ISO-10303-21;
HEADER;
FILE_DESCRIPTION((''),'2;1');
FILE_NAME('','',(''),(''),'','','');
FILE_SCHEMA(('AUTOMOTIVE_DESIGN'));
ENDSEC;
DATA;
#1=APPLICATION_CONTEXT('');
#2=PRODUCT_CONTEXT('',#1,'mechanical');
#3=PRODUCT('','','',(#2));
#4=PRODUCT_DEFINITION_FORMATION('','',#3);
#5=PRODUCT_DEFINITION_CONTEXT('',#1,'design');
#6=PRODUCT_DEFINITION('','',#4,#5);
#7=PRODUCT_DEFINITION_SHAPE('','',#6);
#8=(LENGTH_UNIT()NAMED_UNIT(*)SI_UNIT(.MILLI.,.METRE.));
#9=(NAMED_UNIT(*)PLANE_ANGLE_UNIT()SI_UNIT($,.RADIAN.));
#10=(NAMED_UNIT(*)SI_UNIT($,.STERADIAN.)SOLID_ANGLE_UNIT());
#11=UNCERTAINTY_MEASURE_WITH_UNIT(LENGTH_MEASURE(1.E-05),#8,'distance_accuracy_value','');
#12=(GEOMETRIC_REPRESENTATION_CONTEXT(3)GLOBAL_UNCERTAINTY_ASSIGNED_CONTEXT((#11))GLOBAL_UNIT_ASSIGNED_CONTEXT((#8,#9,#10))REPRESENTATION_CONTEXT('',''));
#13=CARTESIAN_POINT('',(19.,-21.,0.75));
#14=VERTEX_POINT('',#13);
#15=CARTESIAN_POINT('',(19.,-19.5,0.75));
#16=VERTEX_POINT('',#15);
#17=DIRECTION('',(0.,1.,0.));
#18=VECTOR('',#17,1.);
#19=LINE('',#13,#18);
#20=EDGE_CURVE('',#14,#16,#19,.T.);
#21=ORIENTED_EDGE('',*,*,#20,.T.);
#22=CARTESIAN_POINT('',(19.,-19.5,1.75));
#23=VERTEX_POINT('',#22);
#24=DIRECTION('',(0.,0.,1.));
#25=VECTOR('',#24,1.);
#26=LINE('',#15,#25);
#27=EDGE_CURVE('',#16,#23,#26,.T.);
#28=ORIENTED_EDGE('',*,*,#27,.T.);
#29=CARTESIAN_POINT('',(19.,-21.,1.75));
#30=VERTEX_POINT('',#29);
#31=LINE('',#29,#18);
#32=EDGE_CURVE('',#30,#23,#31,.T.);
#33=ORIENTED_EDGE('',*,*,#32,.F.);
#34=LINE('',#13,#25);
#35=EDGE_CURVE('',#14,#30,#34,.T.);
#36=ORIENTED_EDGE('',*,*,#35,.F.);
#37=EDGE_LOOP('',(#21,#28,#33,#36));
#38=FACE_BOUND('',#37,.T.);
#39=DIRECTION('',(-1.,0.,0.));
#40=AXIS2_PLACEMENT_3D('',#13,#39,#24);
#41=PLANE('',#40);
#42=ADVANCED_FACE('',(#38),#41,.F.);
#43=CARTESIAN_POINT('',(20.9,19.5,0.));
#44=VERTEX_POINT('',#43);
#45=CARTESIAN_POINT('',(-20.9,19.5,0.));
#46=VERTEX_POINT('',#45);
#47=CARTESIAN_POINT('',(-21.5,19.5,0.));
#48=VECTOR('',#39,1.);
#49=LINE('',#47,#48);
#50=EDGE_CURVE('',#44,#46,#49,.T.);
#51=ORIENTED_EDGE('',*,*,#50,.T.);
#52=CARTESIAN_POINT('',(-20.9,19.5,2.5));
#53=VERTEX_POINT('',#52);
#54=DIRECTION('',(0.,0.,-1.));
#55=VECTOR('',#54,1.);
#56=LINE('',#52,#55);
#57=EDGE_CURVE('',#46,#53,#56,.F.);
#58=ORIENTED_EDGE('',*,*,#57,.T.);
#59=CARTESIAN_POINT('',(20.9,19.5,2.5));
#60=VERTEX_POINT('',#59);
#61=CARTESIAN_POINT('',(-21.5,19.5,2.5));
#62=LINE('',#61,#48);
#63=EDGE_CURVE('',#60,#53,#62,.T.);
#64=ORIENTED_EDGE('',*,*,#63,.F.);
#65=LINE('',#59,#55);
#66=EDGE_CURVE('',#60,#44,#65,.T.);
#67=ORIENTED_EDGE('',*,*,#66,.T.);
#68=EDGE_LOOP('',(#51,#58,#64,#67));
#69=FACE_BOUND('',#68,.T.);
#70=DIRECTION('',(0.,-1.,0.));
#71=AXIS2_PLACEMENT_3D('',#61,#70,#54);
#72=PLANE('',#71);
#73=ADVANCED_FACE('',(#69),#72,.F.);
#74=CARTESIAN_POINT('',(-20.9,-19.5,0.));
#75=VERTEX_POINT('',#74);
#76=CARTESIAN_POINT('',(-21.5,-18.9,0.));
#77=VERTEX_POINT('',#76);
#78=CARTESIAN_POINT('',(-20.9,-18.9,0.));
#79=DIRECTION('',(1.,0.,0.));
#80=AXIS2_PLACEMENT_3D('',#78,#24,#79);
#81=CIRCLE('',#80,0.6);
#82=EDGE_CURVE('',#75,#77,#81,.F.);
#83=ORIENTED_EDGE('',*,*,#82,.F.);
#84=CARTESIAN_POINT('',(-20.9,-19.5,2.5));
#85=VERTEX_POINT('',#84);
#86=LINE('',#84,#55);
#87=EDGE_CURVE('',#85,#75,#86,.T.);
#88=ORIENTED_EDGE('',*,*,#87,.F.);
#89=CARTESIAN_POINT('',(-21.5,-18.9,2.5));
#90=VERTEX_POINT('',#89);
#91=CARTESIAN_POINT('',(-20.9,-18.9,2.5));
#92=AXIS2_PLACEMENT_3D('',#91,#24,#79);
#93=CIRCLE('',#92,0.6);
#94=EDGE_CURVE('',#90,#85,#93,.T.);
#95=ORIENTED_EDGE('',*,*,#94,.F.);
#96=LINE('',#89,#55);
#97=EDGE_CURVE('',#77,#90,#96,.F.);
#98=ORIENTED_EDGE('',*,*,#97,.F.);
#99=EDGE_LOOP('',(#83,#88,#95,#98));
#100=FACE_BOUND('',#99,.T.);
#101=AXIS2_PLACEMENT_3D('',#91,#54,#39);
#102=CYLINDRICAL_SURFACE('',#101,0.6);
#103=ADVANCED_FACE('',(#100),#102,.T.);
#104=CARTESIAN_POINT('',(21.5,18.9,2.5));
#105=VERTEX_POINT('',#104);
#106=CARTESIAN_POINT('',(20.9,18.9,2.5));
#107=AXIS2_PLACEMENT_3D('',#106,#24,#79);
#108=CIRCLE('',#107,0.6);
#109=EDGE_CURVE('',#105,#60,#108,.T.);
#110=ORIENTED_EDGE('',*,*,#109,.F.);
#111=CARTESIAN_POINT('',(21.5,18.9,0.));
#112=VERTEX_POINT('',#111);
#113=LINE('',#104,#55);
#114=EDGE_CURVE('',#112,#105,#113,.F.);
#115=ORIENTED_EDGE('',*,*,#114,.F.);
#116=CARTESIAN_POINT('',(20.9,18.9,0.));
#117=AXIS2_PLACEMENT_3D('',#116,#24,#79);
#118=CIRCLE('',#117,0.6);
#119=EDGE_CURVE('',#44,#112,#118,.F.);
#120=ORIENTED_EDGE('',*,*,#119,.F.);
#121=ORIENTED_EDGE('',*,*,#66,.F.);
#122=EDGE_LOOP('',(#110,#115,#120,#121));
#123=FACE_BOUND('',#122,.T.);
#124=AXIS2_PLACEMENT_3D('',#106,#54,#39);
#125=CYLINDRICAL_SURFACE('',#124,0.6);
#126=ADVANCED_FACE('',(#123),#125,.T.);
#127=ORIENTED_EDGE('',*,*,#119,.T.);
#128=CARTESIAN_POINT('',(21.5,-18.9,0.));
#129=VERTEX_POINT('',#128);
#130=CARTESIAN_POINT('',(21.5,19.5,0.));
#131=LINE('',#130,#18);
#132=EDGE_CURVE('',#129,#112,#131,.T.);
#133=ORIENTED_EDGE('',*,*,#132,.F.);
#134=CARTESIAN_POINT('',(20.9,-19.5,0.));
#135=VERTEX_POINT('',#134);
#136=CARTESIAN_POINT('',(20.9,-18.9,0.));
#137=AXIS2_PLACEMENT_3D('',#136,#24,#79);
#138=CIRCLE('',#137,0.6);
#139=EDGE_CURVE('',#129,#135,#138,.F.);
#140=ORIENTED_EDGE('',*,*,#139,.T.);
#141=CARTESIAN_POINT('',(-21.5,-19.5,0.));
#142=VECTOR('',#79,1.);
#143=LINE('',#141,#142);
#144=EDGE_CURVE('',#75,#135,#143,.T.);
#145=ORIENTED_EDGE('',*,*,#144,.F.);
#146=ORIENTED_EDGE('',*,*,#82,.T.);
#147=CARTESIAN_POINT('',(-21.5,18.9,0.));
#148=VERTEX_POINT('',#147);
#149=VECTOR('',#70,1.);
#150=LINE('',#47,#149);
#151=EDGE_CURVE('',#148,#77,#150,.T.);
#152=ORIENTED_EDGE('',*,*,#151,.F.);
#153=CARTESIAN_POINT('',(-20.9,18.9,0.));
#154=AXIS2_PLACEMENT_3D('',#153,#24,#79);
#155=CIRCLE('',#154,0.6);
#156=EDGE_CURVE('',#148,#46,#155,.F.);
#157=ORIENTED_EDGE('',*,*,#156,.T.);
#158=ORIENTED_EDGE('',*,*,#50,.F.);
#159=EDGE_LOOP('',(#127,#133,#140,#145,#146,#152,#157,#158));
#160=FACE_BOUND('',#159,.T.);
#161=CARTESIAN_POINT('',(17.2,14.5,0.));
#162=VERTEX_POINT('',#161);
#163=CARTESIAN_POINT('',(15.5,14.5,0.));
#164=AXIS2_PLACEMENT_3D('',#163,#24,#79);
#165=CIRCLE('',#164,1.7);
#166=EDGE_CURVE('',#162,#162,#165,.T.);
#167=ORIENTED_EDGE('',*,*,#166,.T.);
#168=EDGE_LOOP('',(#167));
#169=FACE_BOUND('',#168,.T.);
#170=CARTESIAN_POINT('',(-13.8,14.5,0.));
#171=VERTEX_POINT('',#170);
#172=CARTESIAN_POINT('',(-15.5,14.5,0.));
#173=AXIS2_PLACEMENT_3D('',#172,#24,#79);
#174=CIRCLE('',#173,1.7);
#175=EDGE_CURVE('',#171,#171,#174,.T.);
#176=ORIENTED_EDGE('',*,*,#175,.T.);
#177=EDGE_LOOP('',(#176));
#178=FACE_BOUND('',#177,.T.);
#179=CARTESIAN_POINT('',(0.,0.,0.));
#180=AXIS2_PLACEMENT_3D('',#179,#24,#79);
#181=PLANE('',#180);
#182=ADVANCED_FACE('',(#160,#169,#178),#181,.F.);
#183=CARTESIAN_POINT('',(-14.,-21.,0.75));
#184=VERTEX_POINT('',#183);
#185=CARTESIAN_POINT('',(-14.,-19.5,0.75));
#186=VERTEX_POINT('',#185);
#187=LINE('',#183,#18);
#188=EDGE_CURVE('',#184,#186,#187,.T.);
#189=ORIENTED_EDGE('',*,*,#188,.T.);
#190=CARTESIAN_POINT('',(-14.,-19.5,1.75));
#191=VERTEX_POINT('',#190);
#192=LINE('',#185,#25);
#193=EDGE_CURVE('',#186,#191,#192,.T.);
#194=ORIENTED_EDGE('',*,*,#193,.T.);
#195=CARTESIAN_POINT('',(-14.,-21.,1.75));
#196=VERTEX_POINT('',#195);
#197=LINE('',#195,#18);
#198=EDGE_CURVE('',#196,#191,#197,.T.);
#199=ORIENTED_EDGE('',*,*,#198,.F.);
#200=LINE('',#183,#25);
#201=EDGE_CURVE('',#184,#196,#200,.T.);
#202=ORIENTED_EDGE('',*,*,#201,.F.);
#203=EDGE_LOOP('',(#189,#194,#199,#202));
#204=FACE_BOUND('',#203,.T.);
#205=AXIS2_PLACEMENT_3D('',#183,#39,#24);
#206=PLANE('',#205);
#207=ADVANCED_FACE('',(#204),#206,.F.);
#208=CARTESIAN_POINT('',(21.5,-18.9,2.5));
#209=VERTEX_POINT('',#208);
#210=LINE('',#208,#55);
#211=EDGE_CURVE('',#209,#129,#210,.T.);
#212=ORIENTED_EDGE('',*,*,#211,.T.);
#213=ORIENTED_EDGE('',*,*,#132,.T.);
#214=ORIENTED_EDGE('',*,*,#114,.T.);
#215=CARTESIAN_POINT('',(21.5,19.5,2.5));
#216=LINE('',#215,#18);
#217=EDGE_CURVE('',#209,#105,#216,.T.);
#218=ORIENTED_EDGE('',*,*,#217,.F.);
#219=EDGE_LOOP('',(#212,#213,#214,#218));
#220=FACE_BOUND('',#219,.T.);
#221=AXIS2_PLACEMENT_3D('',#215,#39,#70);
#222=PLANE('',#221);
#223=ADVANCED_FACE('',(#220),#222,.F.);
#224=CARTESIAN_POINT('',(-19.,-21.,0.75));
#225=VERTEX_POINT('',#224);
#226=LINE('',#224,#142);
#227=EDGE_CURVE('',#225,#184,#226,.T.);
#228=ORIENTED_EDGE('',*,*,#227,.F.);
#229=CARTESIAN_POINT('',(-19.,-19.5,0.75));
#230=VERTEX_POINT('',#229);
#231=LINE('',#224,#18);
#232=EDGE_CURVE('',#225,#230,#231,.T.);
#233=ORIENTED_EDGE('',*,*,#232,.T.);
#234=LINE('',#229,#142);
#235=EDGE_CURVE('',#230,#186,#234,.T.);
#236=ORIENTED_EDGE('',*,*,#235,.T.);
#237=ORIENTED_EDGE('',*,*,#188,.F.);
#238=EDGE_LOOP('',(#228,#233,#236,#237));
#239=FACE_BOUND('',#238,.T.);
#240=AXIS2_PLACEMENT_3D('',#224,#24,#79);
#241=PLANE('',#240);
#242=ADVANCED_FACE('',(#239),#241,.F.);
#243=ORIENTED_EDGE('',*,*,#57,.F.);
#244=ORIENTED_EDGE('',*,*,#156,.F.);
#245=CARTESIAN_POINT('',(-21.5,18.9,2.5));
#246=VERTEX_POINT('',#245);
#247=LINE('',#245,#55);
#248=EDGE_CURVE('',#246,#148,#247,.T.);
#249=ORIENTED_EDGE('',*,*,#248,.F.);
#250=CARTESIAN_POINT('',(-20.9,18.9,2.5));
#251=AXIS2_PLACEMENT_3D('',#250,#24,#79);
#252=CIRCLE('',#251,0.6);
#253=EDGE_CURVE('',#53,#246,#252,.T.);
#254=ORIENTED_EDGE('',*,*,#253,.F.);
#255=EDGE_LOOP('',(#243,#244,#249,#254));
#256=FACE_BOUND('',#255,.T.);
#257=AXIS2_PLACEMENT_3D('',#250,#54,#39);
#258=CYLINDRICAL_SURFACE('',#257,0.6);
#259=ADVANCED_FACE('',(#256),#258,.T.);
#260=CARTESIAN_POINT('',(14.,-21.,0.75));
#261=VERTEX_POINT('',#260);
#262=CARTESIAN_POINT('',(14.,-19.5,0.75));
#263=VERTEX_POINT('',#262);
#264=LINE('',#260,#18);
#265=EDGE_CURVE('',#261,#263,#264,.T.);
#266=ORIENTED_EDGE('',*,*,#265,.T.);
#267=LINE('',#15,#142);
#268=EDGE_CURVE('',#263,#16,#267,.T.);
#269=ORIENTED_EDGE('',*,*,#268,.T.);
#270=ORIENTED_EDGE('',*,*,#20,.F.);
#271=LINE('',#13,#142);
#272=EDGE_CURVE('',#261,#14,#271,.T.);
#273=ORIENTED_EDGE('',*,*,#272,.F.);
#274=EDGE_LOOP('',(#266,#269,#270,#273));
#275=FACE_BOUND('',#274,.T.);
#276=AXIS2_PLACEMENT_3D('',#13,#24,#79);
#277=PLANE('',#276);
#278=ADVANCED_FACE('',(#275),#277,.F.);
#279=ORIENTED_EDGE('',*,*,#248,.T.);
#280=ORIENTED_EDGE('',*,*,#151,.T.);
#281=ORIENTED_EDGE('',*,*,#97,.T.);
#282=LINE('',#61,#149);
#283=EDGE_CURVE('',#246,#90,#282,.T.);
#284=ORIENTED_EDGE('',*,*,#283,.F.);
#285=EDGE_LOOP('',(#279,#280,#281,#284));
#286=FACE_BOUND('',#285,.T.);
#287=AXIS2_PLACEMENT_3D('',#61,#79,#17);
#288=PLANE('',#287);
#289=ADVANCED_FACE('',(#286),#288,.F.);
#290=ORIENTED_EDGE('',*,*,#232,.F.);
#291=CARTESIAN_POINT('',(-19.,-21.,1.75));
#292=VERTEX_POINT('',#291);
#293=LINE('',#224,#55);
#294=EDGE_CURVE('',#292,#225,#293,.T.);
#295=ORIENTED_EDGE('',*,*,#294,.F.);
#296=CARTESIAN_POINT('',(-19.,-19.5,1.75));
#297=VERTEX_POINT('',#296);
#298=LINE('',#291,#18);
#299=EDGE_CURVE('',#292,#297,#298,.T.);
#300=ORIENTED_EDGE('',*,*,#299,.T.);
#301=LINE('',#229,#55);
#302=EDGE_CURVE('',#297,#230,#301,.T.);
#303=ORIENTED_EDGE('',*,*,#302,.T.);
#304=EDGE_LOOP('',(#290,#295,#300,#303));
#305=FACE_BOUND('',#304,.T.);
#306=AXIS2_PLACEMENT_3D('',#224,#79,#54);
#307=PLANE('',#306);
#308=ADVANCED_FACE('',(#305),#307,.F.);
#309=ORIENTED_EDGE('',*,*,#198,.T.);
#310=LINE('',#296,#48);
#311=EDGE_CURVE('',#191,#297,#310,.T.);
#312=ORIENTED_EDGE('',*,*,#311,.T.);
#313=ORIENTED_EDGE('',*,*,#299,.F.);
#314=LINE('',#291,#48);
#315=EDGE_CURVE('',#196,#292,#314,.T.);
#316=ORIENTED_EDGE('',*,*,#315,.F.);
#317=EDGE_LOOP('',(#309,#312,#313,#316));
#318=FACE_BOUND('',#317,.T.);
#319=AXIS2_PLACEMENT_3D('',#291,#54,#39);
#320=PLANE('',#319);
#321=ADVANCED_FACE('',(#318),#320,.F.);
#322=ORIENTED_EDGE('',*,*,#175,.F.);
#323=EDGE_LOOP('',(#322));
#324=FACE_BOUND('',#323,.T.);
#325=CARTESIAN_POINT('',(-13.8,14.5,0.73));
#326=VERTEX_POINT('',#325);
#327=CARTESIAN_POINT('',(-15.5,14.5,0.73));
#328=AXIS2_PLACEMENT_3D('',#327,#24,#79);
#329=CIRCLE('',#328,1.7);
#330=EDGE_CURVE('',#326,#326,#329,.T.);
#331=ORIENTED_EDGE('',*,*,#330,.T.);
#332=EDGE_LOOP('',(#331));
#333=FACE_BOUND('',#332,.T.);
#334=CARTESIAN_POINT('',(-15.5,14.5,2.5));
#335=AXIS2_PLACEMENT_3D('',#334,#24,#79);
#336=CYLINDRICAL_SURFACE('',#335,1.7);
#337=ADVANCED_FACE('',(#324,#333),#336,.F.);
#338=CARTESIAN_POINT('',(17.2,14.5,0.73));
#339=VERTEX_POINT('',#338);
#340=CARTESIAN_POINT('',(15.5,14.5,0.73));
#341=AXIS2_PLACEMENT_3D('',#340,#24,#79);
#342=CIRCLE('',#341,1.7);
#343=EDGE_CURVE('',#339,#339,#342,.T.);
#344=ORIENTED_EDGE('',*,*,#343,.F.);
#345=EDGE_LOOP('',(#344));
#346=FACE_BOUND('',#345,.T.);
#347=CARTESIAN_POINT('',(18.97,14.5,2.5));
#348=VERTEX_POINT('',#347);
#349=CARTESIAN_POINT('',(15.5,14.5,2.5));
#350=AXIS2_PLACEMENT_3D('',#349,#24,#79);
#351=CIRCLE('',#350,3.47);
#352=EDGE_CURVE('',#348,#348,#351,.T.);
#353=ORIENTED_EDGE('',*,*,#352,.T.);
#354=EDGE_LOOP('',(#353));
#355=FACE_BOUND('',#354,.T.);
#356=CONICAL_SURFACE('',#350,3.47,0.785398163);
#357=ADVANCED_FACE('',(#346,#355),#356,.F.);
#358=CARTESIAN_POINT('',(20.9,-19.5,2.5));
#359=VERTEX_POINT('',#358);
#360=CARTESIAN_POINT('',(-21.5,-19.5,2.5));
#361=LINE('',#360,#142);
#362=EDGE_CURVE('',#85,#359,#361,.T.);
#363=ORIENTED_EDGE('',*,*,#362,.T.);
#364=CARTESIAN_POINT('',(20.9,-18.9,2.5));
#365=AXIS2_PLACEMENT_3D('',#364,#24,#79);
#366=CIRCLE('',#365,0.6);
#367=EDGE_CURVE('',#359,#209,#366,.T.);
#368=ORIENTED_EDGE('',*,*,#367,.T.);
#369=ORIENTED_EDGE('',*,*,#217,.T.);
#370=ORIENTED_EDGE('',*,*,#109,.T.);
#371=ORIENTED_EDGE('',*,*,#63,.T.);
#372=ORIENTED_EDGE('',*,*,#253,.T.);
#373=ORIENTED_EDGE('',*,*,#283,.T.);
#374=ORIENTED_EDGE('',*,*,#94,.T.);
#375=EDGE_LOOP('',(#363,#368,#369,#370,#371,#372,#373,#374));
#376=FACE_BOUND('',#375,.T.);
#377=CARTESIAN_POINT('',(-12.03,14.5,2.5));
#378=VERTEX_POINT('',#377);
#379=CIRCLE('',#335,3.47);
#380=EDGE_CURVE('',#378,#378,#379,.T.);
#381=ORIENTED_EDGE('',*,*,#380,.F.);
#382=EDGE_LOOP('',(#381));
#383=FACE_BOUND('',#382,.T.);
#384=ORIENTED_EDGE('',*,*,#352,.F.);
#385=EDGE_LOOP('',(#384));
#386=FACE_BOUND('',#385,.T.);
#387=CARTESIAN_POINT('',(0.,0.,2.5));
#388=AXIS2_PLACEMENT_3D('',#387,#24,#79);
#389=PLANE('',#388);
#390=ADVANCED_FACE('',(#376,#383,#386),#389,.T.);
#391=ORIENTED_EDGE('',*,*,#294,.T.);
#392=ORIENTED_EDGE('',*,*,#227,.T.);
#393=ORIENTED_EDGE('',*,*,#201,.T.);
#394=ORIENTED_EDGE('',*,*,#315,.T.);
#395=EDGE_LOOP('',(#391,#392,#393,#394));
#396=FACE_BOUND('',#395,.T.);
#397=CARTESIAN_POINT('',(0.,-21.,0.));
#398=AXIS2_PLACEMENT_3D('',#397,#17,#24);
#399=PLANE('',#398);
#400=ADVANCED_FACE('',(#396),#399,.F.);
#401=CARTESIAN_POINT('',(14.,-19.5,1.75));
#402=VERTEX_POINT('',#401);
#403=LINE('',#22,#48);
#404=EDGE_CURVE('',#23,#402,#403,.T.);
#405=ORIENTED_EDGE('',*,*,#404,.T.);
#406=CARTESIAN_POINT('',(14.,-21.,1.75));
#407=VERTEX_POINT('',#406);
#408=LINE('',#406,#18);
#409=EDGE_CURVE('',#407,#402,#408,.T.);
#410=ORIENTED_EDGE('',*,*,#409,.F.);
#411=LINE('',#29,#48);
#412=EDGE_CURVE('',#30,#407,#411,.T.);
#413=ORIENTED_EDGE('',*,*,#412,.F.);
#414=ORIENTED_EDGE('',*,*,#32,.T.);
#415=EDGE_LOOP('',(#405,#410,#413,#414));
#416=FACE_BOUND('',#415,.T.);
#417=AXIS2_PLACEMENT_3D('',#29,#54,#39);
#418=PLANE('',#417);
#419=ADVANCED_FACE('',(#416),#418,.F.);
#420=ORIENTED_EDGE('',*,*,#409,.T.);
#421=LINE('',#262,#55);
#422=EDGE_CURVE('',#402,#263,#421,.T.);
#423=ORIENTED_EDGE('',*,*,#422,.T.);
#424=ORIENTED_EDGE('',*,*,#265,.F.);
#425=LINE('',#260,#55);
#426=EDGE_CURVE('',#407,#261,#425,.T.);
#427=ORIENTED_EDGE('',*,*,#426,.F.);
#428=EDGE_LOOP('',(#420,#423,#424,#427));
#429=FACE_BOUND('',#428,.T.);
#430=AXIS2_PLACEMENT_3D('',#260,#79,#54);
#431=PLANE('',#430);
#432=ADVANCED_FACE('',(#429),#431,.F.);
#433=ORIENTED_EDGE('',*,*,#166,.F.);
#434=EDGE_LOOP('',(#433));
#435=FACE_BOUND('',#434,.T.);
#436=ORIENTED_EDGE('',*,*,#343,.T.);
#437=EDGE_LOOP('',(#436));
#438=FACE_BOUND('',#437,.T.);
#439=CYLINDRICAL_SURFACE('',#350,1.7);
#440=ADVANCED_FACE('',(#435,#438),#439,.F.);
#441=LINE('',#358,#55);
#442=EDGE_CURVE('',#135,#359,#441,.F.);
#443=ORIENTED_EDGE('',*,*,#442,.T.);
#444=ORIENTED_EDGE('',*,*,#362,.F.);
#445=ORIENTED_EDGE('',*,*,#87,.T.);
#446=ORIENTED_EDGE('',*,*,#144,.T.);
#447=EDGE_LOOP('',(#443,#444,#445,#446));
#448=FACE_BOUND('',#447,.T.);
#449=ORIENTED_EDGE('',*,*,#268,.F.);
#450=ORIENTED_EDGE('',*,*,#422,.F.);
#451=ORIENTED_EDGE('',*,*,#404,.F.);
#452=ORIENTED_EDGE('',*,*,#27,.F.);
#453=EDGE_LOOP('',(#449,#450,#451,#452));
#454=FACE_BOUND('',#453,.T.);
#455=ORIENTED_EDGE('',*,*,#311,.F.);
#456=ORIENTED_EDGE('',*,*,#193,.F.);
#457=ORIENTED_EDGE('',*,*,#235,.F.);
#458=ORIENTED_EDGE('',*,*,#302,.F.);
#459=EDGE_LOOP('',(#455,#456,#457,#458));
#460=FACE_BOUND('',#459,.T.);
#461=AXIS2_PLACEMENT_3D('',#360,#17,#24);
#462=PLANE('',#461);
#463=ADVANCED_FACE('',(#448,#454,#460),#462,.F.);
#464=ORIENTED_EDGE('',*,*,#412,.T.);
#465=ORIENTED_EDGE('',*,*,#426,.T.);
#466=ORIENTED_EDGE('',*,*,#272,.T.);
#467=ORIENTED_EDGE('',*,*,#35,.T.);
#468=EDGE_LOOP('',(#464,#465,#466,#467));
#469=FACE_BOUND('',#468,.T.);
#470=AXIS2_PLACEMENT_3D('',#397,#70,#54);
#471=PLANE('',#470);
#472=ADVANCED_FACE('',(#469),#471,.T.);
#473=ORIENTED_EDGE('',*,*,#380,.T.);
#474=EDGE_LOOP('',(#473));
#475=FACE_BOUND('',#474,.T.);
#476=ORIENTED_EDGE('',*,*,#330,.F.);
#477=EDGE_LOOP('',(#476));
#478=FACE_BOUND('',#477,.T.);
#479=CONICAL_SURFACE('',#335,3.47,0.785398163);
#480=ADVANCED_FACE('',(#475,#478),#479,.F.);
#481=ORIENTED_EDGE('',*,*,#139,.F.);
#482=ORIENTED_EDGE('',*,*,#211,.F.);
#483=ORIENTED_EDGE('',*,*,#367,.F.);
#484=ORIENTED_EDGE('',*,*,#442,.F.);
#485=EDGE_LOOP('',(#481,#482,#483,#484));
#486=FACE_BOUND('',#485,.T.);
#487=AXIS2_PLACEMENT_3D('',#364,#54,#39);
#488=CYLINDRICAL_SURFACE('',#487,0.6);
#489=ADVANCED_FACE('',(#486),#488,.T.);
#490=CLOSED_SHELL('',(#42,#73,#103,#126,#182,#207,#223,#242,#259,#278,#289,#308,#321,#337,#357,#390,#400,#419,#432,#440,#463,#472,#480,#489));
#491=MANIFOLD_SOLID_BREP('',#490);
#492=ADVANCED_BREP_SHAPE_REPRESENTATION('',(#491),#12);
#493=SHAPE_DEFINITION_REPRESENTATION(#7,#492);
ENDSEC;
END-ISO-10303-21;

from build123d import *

# Parameters (mm, degrees)
CROQUIS1_W                                           = 43
CROQUIS1_H                                           = 39
SALIENTE_EXTRUIR1_DEPTH                              = 2.5
AVELLANADO_PARA_TORNILLO_CON_CABEZA_AVEL_D           = 3.4
AVELLANADO_PARA_TORNILLO_CON_CABEZA_AVEL_DEPTH       = 12
AVELLANADO_PARA_TORNILLO_CON_CABEZA_AVEL_CSINK_D     = 6.94
AVELLANADO_PARA_TORNILLO_CON_CABEZA_AVEL_CSINK_ANGLE = 90
AVELLANADO_PARA_TORNILLO_CON_CABEZA_AVEL_TIP         = 1.021463052
CROQUIS6_W                                           = 5
CROQUIS6_H                                           = 1
SALIENTE_EXTRUIR2_DEPTH                              = 1.5
REDONDEO1_R                                          = 0.6


with BuildPart() as part:
    # Croquis1 → Saliente-Extruir1 (new body)
    with BuildSketch(Plane.XY):
        Rectangle(CROQUIS1_W, CROQUIS1_H)
    extrude(amount=SALIENTE_EXTRUIR1_DEPTH)

    # Avellanado para tornillo con cabeza avellanada de clavija hexagonal de M31
    with Locations(Plane(origin=(-15.5, 14.5, 2.5), x_dir=(1, 0, 0), z_dir=(0, 0, 1))):
        with Locations((0, 0), (31, 0)):
            CounterSinkHole(AVELLANADO_PARA_TORNILLO_CON_CABEZA_AVEL_D / 2, AVELLANADO_PARA_TORNILLO_CON_CABEZA_AVEL_CSINK_D / 2, depth=AVELLANADO_PARA_TORNILLO_CON_CABEZA_AVEL_DEPTH, counter_sink_angle=AVELLANADO_PARA_TORNILLO_CON_CABEZA_AVEL_CSINK_ANGLE)
            with Locations((0, 0, -(AVELLANADO_PARA_TORNILLO_CON_CABEZA_AVEL_DEPTH + AVELLANADO_PARA_TORNILLO_CON_CABEZA_AVEL_TIP / 2))):  # 118° drill point
                Cone(0, AVELLANADO_PARA_TORNILLO_CON_CABEZA_AVEL_D / 2, AVELLANADO_PARA_TORNILLO_CON_CABEZA_AVEL_TIP, mode=Mode.SUBTRACT)

    # Croquis6 → Saliente-Extruir2 (add)
    with BuildSketch(Plane.XZ.offset(19.5)):
        with Locations((-16.5, 1.25)):
            Rectangle(CROQUIS6_W, CROQUIS6_H)
        with Locations((16.5, 1.25)):
            Rectangle(CROQUIS6_W, CROQUIS6_H)
    extrude(amount=SALIENTE_EXTRUIR2_DEPTH)

    # Redondeo1
    redondeo1_edges = [part.edges().sort_by_distance(p)[0] for p in [
        (21.5, -19.5, 1.25),
        (-21.5, -19.5, 1.25),
        (-21.5, 19.5, 1.25),
        (21.5, 19.5, 1.25),
    ]]
    fillet(redondeo1_edges, radius=REDONDEO1_R)


solid = part.part
